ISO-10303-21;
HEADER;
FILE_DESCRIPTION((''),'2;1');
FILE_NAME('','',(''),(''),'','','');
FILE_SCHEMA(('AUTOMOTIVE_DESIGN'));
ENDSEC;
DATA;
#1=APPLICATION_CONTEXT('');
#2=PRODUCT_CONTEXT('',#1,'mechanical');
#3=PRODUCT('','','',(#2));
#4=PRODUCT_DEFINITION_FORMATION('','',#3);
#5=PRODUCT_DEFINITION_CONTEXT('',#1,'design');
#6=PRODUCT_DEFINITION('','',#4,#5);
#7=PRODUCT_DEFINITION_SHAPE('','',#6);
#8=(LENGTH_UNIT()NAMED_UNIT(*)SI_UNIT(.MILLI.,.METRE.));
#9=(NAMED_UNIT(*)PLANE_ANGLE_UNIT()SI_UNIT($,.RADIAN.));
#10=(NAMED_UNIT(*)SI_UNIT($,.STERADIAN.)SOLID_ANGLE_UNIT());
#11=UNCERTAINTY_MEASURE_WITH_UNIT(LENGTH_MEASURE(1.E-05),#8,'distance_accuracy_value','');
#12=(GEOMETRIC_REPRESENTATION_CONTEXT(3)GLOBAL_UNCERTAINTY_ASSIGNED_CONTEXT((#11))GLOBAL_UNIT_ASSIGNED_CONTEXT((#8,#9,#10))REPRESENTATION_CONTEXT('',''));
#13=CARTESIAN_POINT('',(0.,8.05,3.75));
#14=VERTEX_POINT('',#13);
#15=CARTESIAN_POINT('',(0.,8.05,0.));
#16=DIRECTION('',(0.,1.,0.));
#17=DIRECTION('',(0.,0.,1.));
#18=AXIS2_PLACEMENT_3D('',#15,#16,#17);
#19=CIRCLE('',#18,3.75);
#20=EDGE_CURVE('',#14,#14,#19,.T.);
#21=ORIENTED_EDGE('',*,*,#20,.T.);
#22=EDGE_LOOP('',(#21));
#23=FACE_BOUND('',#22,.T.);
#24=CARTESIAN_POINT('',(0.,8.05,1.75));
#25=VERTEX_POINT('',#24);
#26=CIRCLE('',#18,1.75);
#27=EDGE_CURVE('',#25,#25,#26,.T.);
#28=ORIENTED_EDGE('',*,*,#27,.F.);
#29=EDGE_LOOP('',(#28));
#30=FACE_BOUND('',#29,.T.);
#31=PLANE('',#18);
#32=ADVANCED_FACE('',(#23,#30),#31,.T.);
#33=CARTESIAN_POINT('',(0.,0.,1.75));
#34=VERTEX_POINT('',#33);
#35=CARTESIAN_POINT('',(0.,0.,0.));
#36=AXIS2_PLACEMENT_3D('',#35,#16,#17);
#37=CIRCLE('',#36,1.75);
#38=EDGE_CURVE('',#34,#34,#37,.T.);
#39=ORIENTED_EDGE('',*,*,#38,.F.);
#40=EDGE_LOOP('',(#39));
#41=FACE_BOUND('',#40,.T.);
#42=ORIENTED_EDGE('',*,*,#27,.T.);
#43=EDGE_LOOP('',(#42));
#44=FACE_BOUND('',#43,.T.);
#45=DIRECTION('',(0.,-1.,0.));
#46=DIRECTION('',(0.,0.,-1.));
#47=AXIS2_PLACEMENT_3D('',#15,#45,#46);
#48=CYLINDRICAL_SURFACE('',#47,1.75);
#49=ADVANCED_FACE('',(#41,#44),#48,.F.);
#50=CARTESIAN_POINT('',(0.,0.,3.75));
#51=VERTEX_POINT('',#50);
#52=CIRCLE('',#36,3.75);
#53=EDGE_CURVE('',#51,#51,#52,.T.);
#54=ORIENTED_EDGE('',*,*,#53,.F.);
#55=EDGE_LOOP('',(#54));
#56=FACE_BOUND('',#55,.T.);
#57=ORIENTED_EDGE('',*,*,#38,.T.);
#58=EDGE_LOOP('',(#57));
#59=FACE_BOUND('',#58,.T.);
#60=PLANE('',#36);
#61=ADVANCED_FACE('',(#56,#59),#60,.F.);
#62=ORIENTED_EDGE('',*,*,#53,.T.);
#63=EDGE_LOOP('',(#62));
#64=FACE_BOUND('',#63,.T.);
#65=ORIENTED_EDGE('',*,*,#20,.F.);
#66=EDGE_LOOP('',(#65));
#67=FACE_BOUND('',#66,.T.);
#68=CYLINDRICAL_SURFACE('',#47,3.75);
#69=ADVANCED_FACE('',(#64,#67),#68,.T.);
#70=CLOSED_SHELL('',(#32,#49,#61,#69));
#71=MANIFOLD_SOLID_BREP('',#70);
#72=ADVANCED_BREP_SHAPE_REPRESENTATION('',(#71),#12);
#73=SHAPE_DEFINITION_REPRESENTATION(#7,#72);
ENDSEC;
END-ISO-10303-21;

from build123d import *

# Parameters (mm, degrees)
SKETCH1_R           = 3.75
SKETCH1_R_2         = 1.75
BOSS_EXTRUDE1_DEPTH = 8.05


with BuildPart() as part:
    # Sketch1 → Boss-Extrude1 (new body)
    with BuildSketch(Plane(origin=(0, 0, 0), x_dir=(1, 0, 0), z_dir=(0, 1, 0))):
        Circle(SKETCH1_R)
        Circle(SKETCH1_R_2, mode=Mode.SUBTRACT)
    extrude(amount=BOSS_EXTRUDE1_DEPTH)


solid = part.part
